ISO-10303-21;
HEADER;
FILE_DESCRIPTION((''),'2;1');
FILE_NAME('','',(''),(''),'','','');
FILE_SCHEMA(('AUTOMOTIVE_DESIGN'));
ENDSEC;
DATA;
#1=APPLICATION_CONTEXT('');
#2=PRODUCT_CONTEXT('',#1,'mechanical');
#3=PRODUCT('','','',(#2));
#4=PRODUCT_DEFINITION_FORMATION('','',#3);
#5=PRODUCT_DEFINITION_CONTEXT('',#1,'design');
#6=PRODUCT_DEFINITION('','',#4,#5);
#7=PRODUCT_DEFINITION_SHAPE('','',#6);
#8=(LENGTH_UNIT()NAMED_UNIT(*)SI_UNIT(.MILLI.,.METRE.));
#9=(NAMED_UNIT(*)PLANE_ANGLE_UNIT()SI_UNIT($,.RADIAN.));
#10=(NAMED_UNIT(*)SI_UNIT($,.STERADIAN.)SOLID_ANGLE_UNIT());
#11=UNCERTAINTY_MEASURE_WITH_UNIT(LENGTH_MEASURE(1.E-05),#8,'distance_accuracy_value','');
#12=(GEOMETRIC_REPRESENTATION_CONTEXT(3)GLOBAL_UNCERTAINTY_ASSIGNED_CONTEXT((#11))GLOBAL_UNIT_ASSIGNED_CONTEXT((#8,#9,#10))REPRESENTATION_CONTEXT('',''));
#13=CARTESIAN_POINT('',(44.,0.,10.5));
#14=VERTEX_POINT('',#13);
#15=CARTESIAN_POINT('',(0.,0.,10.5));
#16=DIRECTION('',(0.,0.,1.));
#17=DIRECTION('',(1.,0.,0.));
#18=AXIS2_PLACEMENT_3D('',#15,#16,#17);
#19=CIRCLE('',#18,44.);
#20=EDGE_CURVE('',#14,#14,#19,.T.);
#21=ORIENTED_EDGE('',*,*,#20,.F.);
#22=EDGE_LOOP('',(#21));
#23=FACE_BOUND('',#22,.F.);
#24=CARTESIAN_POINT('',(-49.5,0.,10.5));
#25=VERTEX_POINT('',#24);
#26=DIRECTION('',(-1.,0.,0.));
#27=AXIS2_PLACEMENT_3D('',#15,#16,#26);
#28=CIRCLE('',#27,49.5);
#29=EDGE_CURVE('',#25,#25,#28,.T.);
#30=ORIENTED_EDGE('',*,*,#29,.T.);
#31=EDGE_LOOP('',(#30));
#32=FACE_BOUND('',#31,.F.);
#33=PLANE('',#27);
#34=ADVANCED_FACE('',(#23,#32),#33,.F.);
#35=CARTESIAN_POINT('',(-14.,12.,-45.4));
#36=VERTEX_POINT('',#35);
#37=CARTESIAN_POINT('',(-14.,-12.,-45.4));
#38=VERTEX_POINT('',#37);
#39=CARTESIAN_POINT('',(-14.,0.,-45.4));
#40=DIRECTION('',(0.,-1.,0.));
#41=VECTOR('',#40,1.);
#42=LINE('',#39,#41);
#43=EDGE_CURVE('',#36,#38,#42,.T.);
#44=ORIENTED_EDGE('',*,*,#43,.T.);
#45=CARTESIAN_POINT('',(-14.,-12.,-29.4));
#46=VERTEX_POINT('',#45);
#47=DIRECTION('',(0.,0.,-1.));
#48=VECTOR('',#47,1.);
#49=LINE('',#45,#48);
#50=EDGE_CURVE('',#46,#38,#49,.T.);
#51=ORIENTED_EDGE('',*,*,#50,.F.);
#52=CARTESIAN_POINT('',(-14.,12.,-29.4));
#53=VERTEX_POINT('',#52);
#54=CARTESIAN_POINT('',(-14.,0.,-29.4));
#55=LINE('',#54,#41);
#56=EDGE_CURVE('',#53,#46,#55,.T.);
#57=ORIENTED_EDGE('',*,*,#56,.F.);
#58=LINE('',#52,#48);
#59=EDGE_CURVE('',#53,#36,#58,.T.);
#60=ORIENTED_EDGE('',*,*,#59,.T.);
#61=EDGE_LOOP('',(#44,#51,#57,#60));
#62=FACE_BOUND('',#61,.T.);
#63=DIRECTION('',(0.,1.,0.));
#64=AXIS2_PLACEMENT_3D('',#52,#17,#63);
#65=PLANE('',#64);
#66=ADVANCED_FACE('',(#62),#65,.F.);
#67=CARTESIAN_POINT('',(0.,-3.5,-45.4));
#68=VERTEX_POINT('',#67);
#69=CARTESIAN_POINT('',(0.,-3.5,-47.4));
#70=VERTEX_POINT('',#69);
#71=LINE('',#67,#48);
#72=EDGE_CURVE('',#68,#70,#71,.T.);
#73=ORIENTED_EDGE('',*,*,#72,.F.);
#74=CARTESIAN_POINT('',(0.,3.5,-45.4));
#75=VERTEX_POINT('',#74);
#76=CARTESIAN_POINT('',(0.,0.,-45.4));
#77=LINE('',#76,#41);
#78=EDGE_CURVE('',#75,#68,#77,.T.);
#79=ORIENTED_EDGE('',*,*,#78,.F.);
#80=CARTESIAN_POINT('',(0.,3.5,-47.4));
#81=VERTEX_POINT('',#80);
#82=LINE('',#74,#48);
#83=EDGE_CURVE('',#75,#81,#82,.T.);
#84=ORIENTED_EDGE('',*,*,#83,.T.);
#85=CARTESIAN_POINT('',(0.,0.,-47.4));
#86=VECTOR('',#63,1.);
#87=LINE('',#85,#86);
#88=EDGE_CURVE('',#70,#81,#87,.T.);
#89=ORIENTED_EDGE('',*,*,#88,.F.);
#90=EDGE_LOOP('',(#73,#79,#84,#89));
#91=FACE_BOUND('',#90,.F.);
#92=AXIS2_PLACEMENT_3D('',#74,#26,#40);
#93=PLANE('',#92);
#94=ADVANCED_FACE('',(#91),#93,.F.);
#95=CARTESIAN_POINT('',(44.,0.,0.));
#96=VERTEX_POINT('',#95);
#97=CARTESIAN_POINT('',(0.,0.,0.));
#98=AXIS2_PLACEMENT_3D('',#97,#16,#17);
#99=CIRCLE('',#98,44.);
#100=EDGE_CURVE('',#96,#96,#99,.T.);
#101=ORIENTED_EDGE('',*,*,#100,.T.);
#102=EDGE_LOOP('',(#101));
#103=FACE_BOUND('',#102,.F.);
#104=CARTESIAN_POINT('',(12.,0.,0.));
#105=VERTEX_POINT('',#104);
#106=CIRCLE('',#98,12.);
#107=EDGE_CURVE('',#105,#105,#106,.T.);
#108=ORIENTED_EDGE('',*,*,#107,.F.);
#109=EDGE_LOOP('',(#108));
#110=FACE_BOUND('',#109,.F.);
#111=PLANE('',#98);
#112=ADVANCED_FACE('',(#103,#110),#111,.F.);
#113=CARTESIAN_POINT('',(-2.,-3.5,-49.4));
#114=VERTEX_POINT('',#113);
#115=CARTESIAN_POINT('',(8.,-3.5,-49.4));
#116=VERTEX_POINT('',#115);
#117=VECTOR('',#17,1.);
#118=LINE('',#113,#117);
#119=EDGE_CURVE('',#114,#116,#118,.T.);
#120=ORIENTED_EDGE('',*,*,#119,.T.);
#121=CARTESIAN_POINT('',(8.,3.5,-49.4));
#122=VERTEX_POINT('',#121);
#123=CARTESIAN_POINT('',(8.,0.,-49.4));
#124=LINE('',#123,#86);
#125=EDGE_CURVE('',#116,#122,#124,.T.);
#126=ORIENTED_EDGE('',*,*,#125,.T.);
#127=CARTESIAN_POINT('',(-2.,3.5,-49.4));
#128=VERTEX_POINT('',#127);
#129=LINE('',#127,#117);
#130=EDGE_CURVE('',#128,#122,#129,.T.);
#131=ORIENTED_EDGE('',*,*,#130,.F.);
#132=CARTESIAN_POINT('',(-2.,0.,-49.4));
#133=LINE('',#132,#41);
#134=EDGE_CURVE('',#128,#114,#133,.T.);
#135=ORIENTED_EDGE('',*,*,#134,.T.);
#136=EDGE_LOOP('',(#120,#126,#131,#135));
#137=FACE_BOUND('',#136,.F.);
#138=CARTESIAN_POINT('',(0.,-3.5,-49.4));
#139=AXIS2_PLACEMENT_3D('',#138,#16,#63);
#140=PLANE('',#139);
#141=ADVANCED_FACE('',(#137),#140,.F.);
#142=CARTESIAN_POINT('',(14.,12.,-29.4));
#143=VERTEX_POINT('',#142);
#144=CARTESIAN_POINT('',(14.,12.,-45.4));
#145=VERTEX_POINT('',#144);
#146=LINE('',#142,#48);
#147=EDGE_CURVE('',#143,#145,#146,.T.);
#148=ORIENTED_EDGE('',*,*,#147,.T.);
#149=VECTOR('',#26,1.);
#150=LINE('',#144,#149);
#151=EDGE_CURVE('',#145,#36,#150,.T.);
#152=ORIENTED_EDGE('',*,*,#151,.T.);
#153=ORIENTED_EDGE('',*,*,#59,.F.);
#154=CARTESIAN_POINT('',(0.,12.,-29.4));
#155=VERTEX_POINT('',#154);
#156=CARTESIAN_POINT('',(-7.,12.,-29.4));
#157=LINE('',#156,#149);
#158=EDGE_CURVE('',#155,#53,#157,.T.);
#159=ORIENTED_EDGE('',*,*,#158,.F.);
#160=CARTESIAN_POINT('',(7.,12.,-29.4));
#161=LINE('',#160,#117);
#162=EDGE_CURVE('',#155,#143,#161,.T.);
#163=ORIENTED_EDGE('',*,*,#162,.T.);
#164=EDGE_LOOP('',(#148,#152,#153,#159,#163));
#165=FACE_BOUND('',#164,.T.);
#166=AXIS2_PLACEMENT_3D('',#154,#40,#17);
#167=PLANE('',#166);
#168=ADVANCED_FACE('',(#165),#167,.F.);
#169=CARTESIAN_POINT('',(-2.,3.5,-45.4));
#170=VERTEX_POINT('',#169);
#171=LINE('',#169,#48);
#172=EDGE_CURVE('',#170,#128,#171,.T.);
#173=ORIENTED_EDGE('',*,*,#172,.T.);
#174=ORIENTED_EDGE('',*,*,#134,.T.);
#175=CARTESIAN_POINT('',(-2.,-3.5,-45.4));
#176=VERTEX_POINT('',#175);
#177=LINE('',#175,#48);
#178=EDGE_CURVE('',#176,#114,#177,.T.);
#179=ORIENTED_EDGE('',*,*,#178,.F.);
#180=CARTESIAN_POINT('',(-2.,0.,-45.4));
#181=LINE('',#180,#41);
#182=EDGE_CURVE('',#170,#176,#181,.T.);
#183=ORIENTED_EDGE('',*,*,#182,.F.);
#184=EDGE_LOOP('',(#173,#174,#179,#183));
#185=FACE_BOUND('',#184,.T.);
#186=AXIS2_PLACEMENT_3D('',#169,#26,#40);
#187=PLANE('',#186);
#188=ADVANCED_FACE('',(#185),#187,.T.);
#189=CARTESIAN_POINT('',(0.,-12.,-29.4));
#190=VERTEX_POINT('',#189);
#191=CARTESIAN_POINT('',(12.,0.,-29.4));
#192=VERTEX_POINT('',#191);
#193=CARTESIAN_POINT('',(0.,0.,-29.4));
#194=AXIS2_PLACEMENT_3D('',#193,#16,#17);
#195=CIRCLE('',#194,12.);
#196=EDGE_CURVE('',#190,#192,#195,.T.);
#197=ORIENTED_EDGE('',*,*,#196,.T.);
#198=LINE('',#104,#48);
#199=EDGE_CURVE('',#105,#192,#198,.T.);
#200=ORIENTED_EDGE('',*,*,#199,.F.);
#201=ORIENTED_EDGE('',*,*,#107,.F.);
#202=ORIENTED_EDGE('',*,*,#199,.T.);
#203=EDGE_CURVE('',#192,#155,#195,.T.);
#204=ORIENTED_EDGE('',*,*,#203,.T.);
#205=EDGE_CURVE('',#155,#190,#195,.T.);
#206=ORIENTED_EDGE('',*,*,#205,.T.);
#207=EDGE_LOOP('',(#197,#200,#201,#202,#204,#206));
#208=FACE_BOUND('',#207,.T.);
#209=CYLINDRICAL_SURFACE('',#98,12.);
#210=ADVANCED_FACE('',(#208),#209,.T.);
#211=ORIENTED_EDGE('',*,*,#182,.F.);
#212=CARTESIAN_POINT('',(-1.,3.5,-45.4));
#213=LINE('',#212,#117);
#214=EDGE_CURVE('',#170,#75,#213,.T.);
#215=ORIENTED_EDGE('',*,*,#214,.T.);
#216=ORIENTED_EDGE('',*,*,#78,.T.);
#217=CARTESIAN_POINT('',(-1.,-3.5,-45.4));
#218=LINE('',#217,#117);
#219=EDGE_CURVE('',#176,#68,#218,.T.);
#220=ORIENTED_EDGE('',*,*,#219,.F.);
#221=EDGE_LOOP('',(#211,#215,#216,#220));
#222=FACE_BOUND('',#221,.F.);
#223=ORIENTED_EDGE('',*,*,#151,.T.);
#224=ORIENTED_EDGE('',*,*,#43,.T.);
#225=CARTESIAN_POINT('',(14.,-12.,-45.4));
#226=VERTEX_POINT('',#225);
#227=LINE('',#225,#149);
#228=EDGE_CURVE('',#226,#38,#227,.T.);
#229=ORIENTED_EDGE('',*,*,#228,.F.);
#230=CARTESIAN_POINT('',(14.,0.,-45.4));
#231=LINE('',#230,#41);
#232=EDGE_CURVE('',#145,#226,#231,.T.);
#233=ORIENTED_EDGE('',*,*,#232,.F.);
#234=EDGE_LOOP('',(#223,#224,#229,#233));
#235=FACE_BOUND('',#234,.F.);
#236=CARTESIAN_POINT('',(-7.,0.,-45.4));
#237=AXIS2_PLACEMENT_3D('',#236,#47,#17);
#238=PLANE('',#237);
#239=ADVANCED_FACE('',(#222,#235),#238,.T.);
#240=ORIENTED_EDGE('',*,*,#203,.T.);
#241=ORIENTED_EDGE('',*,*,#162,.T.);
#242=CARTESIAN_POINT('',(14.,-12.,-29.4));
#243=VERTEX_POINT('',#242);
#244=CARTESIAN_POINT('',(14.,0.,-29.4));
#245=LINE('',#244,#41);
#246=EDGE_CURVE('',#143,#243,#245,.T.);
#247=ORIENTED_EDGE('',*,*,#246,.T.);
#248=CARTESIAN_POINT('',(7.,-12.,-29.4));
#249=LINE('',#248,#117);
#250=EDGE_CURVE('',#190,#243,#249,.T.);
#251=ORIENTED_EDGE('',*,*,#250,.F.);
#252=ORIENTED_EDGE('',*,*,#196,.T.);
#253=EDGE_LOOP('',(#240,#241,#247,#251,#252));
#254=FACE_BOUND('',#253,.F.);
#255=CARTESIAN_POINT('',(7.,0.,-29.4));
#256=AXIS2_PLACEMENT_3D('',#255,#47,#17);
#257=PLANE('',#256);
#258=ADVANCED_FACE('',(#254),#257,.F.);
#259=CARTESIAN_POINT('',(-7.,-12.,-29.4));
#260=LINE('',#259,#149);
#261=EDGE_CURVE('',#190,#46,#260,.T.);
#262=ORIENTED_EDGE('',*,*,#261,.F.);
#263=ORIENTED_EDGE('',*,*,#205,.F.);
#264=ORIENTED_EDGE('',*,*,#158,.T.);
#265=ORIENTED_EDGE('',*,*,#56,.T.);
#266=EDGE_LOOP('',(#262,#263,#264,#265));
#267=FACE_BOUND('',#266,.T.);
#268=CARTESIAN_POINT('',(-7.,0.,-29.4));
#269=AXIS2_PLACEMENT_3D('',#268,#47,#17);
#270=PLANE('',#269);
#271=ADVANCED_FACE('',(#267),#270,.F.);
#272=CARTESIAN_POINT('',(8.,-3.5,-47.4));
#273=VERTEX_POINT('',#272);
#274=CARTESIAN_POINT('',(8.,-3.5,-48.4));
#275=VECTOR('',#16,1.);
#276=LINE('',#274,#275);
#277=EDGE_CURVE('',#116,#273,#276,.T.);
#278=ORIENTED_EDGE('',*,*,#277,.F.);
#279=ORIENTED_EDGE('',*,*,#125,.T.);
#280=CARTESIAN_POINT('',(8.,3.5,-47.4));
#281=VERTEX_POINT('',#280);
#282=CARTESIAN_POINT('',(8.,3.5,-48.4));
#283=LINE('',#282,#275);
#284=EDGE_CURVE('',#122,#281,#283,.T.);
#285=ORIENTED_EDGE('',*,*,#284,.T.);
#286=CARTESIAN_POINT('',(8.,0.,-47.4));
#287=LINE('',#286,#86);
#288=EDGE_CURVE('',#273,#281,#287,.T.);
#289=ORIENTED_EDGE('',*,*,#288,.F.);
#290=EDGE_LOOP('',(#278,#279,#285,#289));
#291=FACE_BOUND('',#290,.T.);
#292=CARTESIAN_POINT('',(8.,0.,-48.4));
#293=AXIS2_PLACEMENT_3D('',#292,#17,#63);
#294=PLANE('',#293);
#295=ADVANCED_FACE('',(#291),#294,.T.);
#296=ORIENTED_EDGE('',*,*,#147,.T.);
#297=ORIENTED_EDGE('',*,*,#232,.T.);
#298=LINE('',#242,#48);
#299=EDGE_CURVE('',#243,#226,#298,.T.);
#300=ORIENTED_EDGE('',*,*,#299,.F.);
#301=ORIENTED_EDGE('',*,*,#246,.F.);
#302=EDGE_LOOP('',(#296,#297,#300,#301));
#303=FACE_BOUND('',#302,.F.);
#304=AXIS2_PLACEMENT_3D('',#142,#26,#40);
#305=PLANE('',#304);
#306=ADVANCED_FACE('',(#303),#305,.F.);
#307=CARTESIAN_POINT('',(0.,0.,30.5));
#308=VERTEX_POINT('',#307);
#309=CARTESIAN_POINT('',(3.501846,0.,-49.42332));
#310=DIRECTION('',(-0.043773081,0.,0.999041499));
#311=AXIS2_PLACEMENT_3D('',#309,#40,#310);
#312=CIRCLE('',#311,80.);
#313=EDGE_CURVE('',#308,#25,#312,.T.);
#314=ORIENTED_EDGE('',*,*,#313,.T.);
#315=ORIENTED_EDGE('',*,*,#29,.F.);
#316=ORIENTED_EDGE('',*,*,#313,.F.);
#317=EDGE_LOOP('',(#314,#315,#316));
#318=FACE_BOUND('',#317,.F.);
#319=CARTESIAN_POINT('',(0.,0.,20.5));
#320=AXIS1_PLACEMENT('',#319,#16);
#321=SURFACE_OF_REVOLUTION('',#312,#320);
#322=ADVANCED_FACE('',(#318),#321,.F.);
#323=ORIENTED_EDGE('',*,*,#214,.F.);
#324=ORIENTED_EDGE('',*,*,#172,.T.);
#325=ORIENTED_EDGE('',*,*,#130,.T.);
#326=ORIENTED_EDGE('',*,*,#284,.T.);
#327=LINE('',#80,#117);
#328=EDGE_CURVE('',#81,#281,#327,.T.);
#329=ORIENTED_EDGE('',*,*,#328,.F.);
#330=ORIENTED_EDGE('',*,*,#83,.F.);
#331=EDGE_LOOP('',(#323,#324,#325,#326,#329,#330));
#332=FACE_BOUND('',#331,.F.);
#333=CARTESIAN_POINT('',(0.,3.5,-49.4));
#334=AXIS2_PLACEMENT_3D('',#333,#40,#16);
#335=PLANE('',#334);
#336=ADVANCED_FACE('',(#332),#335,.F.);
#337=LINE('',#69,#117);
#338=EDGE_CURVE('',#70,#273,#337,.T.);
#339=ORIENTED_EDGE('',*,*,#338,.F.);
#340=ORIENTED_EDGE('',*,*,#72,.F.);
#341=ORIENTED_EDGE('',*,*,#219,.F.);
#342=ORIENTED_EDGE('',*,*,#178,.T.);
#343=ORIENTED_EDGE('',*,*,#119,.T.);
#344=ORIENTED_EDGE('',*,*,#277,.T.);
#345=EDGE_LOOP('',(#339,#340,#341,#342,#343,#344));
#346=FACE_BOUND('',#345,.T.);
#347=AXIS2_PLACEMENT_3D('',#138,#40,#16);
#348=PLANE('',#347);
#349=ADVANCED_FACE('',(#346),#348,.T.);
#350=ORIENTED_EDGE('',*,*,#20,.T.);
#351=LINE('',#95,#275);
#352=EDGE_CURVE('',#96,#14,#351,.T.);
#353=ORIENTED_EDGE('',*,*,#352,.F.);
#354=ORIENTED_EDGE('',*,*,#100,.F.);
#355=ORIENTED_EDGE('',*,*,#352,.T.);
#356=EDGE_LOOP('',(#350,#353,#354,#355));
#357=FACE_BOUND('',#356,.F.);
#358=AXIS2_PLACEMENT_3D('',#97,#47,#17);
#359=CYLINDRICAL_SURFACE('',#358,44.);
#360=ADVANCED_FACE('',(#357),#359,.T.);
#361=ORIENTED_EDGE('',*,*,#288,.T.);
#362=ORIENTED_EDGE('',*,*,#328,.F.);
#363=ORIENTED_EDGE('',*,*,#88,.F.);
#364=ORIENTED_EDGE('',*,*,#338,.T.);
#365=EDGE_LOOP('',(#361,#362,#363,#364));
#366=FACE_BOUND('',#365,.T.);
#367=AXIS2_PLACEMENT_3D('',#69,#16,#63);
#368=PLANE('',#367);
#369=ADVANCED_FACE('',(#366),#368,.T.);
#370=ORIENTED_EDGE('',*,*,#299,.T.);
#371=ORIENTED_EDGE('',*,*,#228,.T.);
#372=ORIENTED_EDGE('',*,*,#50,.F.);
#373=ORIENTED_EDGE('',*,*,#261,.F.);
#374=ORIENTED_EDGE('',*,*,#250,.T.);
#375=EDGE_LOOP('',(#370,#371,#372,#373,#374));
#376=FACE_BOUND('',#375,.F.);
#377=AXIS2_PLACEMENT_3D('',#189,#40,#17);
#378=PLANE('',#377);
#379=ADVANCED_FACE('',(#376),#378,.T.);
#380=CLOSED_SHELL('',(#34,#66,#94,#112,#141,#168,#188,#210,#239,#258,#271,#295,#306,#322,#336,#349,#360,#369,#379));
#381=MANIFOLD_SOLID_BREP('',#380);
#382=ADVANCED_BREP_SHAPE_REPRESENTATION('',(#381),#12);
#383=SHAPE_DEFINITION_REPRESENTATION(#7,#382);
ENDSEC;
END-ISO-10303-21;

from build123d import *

# Parameters (mm, degrees)
F0_R      = 12
F1_DEPTH  = 29.4
F0_R_2    = 44
F2_DEPTH  = 10.5
F5_W      = 14
F5_H      = 24
F6_DEPTH  = 16
F8_W      = 2
F8_H      = 7
F9_DEPTH  = 4
F10_W     = 7
F10_H     = 2
F11_DEPTH = 8


with BuildPart() as f1:
    # F0 (on Top) → F1 (new body)
    with BuildSketch(Plane.XY):
        Circle(F0_R)
    extrude(amount=-F1_DEPTH)

    # F0 (on Top) → F2 (join)
    with BuildSketch(Plane.XY):
        Circle(F0_R_2)
        Circle(F0_R, mode=Mode.SUBTRACT)
        Circle(F0_R)
    extrude(amount=F2_DEPTH)

    # F3 (on Front) → F4 (revolve)
    with BuildSketch(Plane.XZ):
        with BuildLine():
            Line((-49.5, 10.5), (0, 10.5))
            Line((0, 10.5), (0, 30.5))
            ThreePointArc((0, 30.5), (-26.4675851071, 24.7510231401), (-49.5, 10.5))
        make_face()
    revolve(axis=Axis((0, 0, 20.5), (0, 0, 1)))



with BuildPart() as f6:
    # F5 (on face) → F6 (new body)
    with BuildSketch(Plane(origin=(0, 0, -29.4), x_dir=(1, 0, 0), z_dir=(0, 0, -1))):
        with Locations((7, 0)):
            Rectangle(F5_W, F5_H)
    extrude(amount=F6_DEPTH)


with BuildPart() as f1_1:
    add(f1.part)

    add(f6.part)  # F7 merges F6
    # F7: F6 across face
    add(f6.part.mirror(Plane(origin=(0, 0, -37.4), x_dir=(0, -1, 0), z_dir=(-1, 0, 0))))

    # F8 (on face) → F9 (join)
    with BuildSketch(Plane(origin=(0, 0, -45.4), x_dir=(1, 0, 0), z_dir=(0, 0, -1))):
        with Locations((-1, 0)):
            Rectangle(F8_W, F8_H)
    extrude(amount=F9_DEPTH)

    # F10 (on face) → F11 (join)
    with BuildSketch(Plane.YZ):
        with Locations((0, -48.4)):
            Rectangle(F10_W, F10_H)
    extrude(amount=F11_DEPTH)


solid = f1_1.part
